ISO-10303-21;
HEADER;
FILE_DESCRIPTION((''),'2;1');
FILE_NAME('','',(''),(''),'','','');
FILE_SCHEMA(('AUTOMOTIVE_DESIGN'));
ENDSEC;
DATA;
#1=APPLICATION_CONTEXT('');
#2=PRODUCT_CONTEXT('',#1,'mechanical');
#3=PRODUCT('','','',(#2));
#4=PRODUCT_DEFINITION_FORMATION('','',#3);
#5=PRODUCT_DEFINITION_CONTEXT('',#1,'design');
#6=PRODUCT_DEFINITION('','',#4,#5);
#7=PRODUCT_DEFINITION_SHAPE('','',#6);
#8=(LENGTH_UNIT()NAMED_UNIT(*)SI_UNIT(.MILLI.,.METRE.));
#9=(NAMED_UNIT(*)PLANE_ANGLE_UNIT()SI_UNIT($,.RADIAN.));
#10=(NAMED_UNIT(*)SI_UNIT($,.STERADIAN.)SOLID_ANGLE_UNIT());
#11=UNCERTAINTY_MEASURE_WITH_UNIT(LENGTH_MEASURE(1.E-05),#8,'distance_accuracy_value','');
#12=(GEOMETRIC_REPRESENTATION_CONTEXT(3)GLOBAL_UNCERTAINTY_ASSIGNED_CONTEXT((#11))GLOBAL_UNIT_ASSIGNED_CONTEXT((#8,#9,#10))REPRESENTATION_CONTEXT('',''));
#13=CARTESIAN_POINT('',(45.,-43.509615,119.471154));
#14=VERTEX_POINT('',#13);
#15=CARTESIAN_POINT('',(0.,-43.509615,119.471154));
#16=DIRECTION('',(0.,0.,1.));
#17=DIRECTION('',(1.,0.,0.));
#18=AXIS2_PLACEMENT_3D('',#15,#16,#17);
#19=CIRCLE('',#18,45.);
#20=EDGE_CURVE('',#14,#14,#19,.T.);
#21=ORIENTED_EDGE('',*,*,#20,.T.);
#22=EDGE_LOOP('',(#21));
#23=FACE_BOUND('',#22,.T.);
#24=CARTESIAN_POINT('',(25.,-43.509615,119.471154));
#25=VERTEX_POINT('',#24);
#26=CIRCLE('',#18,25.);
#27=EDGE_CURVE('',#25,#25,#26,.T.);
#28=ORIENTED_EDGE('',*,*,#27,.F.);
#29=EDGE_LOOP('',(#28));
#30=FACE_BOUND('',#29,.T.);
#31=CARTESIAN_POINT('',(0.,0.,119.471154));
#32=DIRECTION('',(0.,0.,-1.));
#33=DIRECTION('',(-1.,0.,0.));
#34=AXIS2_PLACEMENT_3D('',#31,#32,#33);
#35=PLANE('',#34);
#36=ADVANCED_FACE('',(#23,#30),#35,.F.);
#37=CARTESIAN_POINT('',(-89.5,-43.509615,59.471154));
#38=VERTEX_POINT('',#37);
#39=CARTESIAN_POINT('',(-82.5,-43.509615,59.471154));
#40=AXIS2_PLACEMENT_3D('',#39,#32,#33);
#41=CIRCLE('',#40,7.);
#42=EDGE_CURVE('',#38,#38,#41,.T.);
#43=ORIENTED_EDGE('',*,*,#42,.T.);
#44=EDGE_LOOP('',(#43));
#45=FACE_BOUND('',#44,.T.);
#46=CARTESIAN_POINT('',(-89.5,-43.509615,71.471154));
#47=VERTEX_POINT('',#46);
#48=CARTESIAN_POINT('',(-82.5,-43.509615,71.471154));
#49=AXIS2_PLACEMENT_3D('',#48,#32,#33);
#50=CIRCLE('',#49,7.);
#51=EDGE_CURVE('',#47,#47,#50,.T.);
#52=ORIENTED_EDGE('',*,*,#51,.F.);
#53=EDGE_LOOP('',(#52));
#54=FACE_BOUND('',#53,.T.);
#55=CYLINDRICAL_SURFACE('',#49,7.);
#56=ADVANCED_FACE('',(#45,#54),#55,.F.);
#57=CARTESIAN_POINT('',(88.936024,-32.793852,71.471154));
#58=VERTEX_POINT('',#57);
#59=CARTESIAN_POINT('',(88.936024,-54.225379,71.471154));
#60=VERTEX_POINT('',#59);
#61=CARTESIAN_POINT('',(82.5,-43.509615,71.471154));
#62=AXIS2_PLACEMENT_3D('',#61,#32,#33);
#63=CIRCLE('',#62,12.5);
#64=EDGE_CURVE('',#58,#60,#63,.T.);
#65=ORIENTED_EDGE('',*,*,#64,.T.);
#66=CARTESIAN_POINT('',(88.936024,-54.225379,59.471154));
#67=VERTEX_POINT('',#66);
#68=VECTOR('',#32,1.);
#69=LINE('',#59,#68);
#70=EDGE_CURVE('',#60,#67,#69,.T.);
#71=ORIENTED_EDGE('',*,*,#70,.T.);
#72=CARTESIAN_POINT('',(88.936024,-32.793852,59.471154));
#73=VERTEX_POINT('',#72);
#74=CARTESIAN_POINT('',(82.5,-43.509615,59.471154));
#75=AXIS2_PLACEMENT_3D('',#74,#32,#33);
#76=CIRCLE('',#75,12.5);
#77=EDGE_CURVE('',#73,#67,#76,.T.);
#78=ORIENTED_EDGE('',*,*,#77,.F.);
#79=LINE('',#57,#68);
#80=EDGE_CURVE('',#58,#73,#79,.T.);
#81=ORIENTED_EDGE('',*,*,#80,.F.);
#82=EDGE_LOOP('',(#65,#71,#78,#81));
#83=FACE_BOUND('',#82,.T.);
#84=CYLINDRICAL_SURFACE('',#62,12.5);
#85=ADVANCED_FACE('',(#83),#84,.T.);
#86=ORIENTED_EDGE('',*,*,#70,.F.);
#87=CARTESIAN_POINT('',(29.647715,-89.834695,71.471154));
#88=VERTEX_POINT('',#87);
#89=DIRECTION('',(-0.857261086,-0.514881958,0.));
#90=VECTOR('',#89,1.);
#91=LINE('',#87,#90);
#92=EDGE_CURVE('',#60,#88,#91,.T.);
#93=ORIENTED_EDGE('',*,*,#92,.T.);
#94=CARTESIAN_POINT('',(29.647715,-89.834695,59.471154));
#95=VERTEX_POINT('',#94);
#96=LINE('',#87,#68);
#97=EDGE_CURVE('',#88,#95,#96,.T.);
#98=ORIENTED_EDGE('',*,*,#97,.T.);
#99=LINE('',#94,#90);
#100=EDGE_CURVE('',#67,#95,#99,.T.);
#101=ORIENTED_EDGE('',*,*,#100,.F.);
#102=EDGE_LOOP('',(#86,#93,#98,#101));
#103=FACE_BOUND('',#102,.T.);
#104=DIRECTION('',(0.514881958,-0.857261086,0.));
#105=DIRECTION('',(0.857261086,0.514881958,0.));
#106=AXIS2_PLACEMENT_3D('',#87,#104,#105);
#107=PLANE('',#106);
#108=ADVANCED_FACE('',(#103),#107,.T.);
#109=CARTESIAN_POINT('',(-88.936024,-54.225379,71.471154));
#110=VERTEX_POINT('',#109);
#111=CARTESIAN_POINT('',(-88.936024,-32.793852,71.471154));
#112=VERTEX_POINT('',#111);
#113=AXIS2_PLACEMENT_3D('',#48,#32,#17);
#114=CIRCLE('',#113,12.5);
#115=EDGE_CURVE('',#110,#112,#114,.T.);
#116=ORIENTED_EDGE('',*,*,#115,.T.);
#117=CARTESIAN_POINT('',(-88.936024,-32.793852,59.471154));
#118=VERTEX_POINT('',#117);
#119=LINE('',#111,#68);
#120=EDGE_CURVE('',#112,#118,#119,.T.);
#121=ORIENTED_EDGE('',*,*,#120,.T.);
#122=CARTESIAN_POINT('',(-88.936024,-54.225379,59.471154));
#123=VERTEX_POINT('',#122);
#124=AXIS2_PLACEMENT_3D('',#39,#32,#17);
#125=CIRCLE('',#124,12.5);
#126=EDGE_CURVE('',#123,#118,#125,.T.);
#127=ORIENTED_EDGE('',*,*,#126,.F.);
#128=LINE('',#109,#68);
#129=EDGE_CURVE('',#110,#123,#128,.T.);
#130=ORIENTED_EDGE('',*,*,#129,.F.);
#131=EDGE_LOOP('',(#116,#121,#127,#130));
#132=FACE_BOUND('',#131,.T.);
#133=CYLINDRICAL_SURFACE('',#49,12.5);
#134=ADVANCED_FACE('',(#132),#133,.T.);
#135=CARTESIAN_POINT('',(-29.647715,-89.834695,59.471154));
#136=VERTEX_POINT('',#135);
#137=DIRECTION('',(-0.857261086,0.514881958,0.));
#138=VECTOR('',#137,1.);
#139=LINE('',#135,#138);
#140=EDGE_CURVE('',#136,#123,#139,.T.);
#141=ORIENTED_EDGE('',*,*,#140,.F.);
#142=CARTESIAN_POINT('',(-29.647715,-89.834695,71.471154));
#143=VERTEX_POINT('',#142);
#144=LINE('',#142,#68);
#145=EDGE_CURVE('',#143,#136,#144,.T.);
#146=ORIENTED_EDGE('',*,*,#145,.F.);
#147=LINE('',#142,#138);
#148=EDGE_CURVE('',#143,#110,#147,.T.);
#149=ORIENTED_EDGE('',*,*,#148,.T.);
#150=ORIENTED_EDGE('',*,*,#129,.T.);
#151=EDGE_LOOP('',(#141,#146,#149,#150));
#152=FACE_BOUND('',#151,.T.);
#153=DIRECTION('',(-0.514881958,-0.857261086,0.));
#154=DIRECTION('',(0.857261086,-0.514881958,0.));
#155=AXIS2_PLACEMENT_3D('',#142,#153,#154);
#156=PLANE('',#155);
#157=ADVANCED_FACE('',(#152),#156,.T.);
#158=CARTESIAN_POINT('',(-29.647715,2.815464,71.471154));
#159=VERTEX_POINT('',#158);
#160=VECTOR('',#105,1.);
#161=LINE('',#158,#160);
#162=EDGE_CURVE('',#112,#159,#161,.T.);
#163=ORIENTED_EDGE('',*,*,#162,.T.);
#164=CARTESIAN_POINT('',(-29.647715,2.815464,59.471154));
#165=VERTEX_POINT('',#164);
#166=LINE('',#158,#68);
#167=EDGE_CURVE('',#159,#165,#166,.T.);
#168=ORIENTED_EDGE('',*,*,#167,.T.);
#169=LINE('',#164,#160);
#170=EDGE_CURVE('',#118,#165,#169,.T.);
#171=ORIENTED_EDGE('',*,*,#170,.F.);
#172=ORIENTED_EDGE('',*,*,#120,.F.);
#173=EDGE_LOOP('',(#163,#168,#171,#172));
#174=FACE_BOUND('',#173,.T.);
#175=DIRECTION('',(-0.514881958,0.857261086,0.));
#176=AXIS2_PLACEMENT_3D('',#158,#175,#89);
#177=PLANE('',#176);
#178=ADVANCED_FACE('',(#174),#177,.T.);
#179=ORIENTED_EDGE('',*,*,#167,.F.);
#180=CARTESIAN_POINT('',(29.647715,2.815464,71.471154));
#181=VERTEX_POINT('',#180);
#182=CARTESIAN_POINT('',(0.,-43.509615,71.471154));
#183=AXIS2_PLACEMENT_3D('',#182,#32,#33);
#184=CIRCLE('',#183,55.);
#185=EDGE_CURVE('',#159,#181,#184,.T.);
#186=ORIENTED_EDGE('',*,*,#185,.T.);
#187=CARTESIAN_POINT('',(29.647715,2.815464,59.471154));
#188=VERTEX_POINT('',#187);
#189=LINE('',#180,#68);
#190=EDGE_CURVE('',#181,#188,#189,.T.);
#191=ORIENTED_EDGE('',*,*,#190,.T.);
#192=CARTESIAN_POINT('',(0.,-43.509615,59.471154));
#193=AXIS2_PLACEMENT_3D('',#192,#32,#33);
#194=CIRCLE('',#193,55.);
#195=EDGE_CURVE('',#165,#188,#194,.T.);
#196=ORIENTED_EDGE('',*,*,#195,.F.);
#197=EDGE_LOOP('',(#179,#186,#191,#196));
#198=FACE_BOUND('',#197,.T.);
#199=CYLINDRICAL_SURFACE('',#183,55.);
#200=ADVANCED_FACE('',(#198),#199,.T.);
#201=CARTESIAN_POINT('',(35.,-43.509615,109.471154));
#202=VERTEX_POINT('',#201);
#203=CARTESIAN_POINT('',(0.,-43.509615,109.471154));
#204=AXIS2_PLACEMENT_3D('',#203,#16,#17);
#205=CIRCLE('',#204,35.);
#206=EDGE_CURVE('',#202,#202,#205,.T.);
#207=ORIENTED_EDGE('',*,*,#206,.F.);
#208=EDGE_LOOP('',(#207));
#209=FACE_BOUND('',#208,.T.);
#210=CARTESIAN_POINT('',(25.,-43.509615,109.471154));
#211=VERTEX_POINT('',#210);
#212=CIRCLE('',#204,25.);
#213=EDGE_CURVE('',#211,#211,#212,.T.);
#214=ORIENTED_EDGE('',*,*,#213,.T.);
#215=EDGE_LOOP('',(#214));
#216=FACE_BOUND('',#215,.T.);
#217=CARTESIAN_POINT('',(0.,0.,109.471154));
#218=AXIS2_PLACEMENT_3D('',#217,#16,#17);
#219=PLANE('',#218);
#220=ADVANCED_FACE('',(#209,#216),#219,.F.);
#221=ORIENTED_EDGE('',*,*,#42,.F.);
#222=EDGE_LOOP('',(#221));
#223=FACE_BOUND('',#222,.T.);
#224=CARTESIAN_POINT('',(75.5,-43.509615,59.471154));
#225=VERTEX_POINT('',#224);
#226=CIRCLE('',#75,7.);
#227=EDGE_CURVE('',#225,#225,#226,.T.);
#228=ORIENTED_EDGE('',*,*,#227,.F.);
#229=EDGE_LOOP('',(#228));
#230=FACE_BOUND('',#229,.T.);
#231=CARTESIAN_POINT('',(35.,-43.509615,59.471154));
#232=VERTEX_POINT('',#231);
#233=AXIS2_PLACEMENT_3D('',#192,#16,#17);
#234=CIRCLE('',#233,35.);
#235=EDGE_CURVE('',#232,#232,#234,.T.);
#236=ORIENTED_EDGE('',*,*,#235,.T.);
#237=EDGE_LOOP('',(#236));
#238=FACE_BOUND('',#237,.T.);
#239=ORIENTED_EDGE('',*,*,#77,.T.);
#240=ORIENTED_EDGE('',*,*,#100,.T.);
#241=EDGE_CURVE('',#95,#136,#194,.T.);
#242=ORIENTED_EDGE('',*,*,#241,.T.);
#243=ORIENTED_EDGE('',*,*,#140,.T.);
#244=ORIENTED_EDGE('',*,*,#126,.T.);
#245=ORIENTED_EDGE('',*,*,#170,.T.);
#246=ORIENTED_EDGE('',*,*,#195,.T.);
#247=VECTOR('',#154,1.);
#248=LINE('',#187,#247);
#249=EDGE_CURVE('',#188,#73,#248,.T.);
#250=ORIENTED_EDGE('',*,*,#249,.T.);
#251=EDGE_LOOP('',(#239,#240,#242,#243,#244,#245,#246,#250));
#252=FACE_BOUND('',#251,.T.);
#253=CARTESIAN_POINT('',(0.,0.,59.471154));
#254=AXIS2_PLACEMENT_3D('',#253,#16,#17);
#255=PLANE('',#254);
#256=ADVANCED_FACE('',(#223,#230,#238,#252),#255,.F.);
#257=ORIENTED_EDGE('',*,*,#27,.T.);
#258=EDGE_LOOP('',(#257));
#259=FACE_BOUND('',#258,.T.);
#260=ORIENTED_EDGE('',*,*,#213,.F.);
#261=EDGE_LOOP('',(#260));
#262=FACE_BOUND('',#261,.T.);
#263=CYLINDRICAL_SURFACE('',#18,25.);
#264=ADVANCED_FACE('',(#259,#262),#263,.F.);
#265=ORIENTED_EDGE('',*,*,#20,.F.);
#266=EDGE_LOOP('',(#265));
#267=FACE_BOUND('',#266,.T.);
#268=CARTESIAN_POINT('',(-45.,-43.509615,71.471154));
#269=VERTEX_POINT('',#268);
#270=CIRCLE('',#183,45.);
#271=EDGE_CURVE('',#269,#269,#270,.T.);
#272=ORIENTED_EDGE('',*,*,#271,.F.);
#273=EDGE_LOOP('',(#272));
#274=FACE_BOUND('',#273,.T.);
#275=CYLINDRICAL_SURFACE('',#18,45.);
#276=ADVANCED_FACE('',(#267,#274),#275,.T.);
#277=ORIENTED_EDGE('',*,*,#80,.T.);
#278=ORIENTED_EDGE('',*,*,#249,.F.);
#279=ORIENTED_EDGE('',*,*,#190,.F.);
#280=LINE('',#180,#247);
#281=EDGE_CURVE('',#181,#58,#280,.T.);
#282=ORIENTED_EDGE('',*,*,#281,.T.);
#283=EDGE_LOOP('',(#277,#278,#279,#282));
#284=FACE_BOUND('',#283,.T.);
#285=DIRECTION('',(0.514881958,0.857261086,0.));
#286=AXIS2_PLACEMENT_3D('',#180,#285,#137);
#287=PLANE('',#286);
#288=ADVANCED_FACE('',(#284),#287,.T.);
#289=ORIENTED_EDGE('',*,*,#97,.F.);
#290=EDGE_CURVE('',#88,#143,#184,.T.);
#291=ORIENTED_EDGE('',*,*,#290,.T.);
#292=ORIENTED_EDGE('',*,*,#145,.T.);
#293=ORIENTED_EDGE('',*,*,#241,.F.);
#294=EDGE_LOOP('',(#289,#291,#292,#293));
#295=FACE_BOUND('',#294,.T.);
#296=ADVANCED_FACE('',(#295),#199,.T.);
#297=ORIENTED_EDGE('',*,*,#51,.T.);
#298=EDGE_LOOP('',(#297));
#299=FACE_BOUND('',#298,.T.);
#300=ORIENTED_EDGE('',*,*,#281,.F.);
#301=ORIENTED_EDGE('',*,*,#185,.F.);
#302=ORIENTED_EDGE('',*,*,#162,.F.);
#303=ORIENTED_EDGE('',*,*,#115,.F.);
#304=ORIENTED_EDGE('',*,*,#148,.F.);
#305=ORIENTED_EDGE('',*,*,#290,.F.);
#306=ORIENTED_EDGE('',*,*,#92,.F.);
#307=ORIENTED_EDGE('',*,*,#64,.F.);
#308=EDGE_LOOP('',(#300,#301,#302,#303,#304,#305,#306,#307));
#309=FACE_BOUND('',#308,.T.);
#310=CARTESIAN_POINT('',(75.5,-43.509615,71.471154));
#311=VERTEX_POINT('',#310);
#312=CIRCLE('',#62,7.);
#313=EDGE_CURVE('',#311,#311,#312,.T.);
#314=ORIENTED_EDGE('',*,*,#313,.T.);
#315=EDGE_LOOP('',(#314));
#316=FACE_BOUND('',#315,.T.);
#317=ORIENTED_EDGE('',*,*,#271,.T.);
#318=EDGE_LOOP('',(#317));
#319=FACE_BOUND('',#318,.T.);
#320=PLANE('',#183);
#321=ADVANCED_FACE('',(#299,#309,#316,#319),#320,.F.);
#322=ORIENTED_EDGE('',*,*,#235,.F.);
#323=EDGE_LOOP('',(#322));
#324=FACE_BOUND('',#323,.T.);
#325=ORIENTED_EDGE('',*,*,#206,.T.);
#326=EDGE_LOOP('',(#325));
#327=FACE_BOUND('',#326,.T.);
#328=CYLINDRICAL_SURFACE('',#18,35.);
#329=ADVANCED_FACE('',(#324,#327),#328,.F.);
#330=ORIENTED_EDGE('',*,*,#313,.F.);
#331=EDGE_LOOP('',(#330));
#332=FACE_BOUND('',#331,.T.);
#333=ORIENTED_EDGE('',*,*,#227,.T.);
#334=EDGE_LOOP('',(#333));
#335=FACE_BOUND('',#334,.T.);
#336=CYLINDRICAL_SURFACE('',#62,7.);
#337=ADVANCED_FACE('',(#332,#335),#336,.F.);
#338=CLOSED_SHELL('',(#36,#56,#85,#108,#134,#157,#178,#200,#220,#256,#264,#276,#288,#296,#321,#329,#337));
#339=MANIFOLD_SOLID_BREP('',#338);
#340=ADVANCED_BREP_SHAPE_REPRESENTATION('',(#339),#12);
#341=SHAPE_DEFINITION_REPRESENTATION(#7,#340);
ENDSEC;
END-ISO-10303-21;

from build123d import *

# Parameters (mm, degrees)
BOSS_EXTRUDE1_START = -12
SKETCH3_R           = 45
BOSS_EXTRUDE1_DEPTH = 12
SKETCH4_R           = 7
CUT_EXTRUDE1_DEPTH  = 12


with BuildPart() as part:
    # Sketch1 → Revolve2 (revolve)
    with BuildSketch(Plane(origin=(0, 0, 0), x_dir=(0, 0, -1), z_dir=(1, 0, 0)), mode=Mode.PRIVATE) as revolve2_sk:
        Polygon((-109.471153846, -8.509615385), (-59.471153846, -8.509615385), (-59.471153846, 1.490384615), (-119.471153846, 1.490384615), (-119.471153846, -18.509615385), (-109.471153846, -18.509615385), align=None)
    revolve(revolve2_sk.sketch.rotate(Axis((0, -43.509615385, 119.471153846), (0, 0, -1)), 90), axis=Axis((0, -43.509615385, 119.471153846), (0, 0, -1)))

    # Sketch3 → Boss-Extrude1 (add)
    with BuildSketch(Plane(origin=(0, 0, 59.471153846), x_dir=(-1, 0, 0), z_dir=(0, 0, -1)).offset(BOSS_EXTRUDE1_START)):
        with BuildLine():
            Line((-29.647715243, -89.834694778), (-88.936024476, -54.225378957))
            ThreePointArc((-88.936024476, -54.225378957), (-95, -43.509615385), (-88.936024476, -32.793851812))
            Line((-88.936024476, -32.793851812), (-29.647715243, 2.815464009))
            ThreePointArc((-29.647715243, 2.815464009), (0, 11.490384615), (29.647715243, 2.815464009))
            Line((29.647715243, 2.815464009), (88.936024476, -32.793851812))
            ThreePointArc((88.936024476, -32.793851812), (95, -43.509615385), (88.936024476, -54.225378958))
            Line((88.936024476, -54.225378958), (29.647715243, -89.834694778))
            ThreePointArc((29.647715243, -89.834694778), (0, -98.509615385), (-29.647715243, -89.834694778))
        make_face()
        with Locations(Location((0, -43.509615385, 0), (0, 0, 180))):
            Circle(SKETCH3_R, mode=Mode.SUBTRACT)
    extrude(amount=BOSS_EXTRUDE1_DEPTH)

    # Sketch4 → Cut-Extrude1 (cut)
    with BuildSketch(Plane(origin=(0, 0, 59.471153846), x_dir=(-1, 0, 0), z_dir=(0, 0, -1))):
        with Locations((-82.5, -43.509615385)):
            Circle(SKETCH4_R)
        with Locations((82.5, -43.509615385)):
            Circle(SKETCH4_R)
    extrude(amount=-CUT_EXTRUDE1_DEPTH, mode=Mode.SUBTRACT)


solid = part.part
